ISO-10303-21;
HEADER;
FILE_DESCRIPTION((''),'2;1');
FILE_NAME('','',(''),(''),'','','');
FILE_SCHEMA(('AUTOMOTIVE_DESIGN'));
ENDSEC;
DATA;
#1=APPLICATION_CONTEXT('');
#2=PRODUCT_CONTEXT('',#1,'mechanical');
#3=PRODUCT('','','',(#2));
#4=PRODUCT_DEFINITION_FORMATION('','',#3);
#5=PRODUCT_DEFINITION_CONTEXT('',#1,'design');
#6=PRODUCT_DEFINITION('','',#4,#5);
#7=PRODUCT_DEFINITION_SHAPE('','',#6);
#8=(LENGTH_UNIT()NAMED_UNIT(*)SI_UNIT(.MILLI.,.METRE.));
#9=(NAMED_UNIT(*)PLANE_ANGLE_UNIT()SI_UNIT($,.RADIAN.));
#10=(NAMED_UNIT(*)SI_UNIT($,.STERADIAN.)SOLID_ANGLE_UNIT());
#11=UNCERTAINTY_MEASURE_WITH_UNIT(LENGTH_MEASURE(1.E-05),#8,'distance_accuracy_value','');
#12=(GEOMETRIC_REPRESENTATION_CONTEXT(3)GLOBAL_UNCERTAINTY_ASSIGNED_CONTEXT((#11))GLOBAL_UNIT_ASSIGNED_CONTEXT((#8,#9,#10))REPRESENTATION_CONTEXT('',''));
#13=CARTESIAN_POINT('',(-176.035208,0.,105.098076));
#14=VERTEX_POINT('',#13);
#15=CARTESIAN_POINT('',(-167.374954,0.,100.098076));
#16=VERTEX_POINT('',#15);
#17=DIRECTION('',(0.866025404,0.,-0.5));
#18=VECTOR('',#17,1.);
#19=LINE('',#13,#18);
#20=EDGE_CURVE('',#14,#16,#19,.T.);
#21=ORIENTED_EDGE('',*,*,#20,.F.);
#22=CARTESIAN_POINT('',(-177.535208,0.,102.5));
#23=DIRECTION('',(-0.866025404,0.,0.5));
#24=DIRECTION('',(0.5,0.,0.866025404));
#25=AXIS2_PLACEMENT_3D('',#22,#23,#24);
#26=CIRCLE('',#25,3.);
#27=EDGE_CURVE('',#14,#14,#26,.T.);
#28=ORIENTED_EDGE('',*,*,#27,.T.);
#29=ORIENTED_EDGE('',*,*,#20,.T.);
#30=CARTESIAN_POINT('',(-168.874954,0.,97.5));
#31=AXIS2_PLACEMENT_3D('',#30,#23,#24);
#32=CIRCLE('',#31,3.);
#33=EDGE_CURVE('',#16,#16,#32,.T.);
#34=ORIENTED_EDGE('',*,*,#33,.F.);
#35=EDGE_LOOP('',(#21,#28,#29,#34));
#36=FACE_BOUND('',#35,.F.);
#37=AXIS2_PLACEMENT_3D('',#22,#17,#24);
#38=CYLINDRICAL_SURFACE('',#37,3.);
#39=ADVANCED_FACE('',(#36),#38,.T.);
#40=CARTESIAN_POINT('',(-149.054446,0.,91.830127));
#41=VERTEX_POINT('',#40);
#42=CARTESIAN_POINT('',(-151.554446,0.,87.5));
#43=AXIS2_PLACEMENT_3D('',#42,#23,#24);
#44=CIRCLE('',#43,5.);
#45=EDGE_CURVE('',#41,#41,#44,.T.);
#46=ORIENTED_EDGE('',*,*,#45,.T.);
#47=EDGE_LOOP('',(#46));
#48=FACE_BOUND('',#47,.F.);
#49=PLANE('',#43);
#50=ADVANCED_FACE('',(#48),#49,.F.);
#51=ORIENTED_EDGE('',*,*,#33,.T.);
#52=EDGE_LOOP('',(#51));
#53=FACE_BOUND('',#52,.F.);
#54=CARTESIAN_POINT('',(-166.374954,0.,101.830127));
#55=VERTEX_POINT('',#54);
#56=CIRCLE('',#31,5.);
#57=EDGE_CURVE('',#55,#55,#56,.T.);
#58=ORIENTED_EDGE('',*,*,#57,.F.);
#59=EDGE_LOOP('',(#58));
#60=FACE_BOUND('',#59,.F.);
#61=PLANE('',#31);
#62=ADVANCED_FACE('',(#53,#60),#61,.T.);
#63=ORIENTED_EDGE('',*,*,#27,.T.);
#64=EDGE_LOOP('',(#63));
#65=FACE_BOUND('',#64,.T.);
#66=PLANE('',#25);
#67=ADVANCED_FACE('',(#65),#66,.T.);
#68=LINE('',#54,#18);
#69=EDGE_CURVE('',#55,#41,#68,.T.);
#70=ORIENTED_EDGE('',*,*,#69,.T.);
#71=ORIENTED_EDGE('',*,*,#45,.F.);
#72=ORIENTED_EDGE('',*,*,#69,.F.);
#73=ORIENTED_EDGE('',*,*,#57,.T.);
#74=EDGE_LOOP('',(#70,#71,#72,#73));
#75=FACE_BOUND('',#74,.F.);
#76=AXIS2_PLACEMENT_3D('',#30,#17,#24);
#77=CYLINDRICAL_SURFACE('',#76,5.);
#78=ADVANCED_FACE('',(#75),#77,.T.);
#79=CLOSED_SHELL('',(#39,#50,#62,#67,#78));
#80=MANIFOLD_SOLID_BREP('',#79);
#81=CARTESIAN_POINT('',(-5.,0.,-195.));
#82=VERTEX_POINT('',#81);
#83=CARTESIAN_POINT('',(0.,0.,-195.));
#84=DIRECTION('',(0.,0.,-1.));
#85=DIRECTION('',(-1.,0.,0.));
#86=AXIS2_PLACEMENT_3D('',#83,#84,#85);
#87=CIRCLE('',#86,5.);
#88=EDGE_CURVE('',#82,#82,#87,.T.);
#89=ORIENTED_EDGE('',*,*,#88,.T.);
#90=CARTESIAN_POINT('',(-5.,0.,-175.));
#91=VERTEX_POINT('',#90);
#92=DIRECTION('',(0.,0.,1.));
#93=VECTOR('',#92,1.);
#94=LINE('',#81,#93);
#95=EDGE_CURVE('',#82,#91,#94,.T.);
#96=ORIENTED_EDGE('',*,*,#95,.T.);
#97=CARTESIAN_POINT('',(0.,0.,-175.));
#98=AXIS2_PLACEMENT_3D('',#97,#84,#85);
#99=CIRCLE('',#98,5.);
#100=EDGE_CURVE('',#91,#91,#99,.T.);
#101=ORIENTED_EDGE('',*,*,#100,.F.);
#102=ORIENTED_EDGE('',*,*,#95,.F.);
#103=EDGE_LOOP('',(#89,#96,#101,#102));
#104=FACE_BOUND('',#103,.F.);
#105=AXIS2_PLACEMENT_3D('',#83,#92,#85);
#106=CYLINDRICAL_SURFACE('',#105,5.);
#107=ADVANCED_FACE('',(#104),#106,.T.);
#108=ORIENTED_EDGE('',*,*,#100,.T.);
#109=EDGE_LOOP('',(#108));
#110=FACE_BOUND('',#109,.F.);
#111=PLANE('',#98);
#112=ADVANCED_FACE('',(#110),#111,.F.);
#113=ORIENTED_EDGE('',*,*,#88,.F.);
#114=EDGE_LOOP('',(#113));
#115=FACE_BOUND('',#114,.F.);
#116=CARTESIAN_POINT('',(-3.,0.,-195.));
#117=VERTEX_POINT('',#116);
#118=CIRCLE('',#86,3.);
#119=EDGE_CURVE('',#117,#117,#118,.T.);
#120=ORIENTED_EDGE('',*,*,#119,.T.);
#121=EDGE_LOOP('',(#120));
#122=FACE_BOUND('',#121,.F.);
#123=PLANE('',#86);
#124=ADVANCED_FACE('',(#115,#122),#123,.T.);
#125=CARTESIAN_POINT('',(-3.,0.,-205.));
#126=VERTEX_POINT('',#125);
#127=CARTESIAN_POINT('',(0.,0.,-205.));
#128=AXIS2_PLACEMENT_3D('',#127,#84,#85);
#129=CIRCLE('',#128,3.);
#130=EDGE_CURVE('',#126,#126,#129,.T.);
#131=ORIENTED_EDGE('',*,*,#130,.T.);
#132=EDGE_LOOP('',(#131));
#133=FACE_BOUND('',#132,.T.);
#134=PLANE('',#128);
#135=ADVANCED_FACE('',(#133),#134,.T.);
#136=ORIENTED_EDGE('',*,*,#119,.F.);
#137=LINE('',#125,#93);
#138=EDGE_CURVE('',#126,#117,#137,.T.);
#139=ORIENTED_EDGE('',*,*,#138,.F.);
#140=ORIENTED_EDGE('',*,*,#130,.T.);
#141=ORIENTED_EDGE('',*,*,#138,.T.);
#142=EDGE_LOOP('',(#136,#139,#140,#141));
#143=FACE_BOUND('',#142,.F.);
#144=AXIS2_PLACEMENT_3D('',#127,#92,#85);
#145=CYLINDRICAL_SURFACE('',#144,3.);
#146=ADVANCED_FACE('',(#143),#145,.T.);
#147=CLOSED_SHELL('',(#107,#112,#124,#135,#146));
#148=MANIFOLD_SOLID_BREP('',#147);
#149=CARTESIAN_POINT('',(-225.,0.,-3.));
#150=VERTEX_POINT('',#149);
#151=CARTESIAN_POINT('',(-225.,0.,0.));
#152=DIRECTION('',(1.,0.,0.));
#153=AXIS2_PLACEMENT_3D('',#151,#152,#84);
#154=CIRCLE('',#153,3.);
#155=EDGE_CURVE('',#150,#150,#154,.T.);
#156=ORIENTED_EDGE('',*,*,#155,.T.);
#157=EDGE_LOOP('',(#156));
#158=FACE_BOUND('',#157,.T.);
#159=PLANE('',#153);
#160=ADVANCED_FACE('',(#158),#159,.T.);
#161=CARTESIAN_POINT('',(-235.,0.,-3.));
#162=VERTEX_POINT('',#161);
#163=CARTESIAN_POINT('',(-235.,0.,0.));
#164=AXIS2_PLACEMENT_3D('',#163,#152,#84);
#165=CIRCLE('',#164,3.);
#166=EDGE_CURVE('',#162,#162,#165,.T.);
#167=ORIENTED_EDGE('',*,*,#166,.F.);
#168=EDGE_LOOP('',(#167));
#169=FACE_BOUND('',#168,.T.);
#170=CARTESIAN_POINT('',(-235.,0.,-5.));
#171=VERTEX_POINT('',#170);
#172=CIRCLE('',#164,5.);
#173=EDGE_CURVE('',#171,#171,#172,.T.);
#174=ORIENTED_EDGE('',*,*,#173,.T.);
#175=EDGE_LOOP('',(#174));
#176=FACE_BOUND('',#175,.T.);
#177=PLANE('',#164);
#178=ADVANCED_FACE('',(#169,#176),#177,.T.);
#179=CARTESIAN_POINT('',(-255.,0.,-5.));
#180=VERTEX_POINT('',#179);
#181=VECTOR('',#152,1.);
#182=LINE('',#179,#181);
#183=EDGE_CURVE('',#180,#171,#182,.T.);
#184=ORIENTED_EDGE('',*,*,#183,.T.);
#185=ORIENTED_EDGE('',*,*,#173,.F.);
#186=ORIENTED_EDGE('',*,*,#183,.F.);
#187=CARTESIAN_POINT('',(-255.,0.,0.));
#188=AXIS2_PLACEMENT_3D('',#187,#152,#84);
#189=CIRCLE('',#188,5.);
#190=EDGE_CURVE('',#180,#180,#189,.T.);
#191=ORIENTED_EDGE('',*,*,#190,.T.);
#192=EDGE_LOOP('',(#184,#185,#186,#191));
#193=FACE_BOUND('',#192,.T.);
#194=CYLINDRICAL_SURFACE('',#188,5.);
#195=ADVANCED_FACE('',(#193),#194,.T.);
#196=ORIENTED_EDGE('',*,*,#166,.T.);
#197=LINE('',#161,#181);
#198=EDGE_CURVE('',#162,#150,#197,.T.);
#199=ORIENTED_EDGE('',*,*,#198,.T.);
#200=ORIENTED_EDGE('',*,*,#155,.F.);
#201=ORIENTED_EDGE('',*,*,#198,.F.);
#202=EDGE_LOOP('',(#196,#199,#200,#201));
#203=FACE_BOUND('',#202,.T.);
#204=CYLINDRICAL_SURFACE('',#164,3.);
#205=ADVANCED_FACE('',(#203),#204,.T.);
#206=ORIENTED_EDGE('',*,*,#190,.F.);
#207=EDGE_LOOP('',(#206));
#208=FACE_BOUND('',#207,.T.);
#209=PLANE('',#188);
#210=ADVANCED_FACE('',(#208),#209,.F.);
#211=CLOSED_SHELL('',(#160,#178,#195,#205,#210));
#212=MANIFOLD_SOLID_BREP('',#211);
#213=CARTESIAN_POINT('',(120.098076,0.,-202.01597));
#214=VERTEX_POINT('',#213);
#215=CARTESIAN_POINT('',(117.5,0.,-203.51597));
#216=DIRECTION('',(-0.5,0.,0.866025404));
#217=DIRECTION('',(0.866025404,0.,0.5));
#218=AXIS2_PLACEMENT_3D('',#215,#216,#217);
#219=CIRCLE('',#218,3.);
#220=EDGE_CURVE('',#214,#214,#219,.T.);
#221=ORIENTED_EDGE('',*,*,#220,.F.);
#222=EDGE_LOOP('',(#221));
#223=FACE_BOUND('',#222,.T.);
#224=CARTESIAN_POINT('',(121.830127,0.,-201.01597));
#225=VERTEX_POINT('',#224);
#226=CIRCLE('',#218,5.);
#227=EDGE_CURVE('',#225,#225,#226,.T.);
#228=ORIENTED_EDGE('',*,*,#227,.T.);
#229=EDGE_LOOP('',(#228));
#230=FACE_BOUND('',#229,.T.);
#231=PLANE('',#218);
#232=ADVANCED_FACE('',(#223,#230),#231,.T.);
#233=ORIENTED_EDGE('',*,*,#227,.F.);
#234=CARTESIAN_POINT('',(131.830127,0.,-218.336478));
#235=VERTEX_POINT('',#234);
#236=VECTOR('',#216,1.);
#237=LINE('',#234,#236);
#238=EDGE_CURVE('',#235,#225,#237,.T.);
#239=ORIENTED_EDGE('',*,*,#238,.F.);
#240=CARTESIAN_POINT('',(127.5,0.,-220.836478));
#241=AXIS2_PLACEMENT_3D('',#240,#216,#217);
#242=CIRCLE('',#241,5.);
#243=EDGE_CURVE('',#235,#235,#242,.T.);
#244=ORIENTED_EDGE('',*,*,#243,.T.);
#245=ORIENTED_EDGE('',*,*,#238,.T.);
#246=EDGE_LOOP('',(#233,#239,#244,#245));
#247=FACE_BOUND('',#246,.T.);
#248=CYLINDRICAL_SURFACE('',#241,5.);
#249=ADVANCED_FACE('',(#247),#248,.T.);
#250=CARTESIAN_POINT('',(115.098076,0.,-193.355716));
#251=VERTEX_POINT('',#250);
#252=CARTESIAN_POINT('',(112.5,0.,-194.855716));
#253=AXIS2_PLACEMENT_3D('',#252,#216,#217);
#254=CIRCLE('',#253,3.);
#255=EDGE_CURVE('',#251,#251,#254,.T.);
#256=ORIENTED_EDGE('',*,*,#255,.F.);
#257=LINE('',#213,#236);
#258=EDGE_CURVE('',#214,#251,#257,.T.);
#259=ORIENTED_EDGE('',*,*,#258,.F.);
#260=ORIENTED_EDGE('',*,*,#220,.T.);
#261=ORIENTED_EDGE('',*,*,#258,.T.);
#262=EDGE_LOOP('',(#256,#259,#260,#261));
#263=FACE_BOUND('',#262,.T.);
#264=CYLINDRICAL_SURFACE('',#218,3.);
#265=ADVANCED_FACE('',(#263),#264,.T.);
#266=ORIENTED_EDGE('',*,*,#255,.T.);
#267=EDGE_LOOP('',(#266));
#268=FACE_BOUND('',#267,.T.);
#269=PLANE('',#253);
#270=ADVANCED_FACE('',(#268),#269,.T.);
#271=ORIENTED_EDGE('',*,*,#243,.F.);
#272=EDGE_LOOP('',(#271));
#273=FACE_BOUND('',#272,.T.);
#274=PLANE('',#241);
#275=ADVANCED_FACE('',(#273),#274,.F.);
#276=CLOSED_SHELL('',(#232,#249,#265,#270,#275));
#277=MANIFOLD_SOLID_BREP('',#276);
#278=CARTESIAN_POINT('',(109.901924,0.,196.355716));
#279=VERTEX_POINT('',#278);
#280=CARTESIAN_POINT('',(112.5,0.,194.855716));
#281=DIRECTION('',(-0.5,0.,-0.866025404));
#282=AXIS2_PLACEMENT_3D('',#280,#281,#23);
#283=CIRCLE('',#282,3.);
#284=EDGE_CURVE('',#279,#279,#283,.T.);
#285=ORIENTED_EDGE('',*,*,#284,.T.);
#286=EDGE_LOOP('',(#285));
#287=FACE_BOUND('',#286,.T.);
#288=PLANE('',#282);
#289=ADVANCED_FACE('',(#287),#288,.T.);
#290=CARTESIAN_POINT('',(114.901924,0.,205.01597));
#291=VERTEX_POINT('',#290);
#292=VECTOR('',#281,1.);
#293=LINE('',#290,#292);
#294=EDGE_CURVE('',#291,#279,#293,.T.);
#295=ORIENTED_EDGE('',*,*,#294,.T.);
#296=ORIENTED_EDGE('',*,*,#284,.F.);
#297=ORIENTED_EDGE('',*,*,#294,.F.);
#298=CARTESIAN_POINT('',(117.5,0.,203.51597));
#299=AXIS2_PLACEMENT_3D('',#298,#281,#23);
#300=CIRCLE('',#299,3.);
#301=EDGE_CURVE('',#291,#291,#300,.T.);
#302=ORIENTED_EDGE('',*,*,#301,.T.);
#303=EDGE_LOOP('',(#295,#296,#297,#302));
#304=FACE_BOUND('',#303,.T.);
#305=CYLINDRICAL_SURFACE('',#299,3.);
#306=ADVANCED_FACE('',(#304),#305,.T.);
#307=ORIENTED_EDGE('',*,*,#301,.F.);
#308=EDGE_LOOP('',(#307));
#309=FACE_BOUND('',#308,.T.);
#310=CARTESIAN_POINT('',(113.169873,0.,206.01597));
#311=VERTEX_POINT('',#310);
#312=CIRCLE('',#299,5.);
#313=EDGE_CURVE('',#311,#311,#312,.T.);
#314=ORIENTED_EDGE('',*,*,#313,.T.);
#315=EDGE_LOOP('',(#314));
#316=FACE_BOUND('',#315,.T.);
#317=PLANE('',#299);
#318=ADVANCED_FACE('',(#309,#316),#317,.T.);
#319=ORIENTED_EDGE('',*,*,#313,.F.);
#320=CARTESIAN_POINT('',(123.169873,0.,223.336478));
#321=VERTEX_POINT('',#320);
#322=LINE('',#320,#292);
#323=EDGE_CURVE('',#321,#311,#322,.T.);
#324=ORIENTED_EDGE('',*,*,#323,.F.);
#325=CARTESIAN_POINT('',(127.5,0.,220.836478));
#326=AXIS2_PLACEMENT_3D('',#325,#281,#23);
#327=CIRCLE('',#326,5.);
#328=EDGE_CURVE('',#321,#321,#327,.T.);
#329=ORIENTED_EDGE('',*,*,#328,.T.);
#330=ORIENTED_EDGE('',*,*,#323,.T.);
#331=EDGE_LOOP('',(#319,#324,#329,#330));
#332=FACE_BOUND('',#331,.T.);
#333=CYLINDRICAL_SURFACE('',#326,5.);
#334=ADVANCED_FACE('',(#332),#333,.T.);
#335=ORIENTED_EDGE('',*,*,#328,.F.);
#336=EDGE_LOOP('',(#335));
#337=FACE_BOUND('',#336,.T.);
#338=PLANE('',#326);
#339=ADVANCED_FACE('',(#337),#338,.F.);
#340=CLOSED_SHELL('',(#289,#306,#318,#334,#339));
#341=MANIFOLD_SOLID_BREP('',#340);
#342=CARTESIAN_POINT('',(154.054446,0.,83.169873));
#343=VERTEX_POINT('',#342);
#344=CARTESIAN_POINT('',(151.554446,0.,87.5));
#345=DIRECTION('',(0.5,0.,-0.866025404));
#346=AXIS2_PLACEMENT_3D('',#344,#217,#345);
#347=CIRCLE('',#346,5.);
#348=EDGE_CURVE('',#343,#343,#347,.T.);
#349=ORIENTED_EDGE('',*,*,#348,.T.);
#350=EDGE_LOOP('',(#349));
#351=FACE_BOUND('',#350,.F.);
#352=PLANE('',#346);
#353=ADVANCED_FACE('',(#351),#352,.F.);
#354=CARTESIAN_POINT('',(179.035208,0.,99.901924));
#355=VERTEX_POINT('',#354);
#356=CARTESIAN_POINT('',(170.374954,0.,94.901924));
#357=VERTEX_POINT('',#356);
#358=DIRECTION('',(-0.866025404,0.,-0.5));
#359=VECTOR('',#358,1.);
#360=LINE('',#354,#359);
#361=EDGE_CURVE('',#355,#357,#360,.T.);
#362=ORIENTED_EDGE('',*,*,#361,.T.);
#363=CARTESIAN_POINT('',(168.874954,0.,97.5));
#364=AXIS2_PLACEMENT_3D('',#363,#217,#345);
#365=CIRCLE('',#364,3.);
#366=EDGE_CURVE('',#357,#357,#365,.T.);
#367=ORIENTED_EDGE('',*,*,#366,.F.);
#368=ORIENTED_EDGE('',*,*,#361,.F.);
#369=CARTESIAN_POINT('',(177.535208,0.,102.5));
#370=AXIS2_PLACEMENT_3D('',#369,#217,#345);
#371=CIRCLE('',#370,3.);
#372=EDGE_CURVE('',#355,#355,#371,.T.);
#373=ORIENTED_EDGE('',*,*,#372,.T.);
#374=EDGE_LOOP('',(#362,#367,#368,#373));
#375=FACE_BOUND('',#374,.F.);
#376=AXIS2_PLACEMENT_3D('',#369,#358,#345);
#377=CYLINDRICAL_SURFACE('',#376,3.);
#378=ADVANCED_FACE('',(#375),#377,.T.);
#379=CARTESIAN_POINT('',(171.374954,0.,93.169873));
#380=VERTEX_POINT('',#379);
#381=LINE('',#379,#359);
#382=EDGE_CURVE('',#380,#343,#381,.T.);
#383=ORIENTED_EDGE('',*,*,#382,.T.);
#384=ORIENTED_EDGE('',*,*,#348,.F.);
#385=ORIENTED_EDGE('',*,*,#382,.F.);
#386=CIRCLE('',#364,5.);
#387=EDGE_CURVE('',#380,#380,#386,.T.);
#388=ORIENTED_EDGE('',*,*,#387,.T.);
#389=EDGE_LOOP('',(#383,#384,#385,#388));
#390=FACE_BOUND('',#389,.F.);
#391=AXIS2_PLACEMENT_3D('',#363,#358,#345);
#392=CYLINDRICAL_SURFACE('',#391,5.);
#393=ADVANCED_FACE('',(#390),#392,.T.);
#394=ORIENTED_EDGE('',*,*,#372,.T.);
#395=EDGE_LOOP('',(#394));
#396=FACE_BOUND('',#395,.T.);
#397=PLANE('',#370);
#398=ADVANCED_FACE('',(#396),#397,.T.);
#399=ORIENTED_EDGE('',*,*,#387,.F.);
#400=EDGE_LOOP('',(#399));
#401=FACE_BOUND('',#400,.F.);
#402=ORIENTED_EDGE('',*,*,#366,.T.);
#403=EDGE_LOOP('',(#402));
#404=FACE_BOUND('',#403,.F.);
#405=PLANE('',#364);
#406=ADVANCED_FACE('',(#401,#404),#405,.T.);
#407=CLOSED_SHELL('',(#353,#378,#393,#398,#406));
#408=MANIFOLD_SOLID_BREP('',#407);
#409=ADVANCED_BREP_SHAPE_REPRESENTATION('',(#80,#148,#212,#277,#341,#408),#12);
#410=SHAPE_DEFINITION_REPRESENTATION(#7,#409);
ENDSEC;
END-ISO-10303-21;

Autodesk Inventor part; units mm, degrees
ref_plane "YZ Plane" through (0, 0, 0) normal (1, 0, 0) x (0, 1, 0)
ref_plane "XZ Plane" through (0, 0, 0) normal (0, 1, 0) x (-1, 0, 0)
ref_plane "XY Plane" through (0, 0, 0) normal (0, 0, 1) x (1, 0, 0)
sketch "スケッチ1" plane through (0, 0, 0) normal (0, 1, 0) x (-1, 0, 0)
  line L0 (0, -246) -> (0, 41) projected
  line L1 (-51, 0) -> (306, 0) projected
  line L2 (255, 0) -> (255, -5)
  line L3 (255, -5) -> (235, -5)
  line L4 (235, -5) -> (235, -3)
  line L5 (235, -3) -> (225, -3)
  line L6 (225, -3) -> (225, 0)
  line L7 (255, 0) -> (225, 0)
  line L8 (0, -175) -> (0, -205)
  line L9 (3, -205) -> (0, -205)
  line L10 (3, -205) -> (3, -195)
  line L11 (3, -195) -> (5, -195)
  line L12 (5, -195) -> (5, -175)
  line L13 (5, -175) -> (0, -175)
  point P0 (0, 0)
  dimension "d0" = 30
  dimension "d1" = 30
  dimension "d2" = 10
  dimension "d3" = 10
  dimension "d4" = 5
  dimension "d5" = 5
  dimension "d6" = 3
  dimension "d7" = 3
  dimension "d8" = 195
  dimension "d9" = 235
revolve "回転1" add sketch "スケッチ1" angle 360 about axis through (-255, 0, 0) along (1, 0, 0) contours L1 L2 L3 L4 L5 L6
revolve "回転2" add sketch "スケッチ1" angle 360 about axis through (0, 0, -175) along (0, 0, -1) contours L0 L13 L12 L11 L10 L9
pattern_circular "円形状パターン1" count 3 over 360 about axis through (0, -10, 0) along (0, 1, 0) of "回転1", "回転2"
equation "\"d0\" = ShaftLength"
equation "\"d1\" = ShaftLength"
equation "\"d2\" = ShaftInLength"
equation "\"d3\" = ShaftInLength"
equation "\"d4\" = ShaftRadius"
equation "\"d5\" = ShaftRadius"
equation "\"d6\" = ShaftInRadius"
equation "\"d7\" = ShaftInRadius"
equation "\"ShaftInRadius\" = 3"
equation "\"ShaftRadius\" = 5"
equation "\"ShaftLength\" = 30"
equation "\"ShaftInLength\" = 10"
properties part number "BaseAxes"
